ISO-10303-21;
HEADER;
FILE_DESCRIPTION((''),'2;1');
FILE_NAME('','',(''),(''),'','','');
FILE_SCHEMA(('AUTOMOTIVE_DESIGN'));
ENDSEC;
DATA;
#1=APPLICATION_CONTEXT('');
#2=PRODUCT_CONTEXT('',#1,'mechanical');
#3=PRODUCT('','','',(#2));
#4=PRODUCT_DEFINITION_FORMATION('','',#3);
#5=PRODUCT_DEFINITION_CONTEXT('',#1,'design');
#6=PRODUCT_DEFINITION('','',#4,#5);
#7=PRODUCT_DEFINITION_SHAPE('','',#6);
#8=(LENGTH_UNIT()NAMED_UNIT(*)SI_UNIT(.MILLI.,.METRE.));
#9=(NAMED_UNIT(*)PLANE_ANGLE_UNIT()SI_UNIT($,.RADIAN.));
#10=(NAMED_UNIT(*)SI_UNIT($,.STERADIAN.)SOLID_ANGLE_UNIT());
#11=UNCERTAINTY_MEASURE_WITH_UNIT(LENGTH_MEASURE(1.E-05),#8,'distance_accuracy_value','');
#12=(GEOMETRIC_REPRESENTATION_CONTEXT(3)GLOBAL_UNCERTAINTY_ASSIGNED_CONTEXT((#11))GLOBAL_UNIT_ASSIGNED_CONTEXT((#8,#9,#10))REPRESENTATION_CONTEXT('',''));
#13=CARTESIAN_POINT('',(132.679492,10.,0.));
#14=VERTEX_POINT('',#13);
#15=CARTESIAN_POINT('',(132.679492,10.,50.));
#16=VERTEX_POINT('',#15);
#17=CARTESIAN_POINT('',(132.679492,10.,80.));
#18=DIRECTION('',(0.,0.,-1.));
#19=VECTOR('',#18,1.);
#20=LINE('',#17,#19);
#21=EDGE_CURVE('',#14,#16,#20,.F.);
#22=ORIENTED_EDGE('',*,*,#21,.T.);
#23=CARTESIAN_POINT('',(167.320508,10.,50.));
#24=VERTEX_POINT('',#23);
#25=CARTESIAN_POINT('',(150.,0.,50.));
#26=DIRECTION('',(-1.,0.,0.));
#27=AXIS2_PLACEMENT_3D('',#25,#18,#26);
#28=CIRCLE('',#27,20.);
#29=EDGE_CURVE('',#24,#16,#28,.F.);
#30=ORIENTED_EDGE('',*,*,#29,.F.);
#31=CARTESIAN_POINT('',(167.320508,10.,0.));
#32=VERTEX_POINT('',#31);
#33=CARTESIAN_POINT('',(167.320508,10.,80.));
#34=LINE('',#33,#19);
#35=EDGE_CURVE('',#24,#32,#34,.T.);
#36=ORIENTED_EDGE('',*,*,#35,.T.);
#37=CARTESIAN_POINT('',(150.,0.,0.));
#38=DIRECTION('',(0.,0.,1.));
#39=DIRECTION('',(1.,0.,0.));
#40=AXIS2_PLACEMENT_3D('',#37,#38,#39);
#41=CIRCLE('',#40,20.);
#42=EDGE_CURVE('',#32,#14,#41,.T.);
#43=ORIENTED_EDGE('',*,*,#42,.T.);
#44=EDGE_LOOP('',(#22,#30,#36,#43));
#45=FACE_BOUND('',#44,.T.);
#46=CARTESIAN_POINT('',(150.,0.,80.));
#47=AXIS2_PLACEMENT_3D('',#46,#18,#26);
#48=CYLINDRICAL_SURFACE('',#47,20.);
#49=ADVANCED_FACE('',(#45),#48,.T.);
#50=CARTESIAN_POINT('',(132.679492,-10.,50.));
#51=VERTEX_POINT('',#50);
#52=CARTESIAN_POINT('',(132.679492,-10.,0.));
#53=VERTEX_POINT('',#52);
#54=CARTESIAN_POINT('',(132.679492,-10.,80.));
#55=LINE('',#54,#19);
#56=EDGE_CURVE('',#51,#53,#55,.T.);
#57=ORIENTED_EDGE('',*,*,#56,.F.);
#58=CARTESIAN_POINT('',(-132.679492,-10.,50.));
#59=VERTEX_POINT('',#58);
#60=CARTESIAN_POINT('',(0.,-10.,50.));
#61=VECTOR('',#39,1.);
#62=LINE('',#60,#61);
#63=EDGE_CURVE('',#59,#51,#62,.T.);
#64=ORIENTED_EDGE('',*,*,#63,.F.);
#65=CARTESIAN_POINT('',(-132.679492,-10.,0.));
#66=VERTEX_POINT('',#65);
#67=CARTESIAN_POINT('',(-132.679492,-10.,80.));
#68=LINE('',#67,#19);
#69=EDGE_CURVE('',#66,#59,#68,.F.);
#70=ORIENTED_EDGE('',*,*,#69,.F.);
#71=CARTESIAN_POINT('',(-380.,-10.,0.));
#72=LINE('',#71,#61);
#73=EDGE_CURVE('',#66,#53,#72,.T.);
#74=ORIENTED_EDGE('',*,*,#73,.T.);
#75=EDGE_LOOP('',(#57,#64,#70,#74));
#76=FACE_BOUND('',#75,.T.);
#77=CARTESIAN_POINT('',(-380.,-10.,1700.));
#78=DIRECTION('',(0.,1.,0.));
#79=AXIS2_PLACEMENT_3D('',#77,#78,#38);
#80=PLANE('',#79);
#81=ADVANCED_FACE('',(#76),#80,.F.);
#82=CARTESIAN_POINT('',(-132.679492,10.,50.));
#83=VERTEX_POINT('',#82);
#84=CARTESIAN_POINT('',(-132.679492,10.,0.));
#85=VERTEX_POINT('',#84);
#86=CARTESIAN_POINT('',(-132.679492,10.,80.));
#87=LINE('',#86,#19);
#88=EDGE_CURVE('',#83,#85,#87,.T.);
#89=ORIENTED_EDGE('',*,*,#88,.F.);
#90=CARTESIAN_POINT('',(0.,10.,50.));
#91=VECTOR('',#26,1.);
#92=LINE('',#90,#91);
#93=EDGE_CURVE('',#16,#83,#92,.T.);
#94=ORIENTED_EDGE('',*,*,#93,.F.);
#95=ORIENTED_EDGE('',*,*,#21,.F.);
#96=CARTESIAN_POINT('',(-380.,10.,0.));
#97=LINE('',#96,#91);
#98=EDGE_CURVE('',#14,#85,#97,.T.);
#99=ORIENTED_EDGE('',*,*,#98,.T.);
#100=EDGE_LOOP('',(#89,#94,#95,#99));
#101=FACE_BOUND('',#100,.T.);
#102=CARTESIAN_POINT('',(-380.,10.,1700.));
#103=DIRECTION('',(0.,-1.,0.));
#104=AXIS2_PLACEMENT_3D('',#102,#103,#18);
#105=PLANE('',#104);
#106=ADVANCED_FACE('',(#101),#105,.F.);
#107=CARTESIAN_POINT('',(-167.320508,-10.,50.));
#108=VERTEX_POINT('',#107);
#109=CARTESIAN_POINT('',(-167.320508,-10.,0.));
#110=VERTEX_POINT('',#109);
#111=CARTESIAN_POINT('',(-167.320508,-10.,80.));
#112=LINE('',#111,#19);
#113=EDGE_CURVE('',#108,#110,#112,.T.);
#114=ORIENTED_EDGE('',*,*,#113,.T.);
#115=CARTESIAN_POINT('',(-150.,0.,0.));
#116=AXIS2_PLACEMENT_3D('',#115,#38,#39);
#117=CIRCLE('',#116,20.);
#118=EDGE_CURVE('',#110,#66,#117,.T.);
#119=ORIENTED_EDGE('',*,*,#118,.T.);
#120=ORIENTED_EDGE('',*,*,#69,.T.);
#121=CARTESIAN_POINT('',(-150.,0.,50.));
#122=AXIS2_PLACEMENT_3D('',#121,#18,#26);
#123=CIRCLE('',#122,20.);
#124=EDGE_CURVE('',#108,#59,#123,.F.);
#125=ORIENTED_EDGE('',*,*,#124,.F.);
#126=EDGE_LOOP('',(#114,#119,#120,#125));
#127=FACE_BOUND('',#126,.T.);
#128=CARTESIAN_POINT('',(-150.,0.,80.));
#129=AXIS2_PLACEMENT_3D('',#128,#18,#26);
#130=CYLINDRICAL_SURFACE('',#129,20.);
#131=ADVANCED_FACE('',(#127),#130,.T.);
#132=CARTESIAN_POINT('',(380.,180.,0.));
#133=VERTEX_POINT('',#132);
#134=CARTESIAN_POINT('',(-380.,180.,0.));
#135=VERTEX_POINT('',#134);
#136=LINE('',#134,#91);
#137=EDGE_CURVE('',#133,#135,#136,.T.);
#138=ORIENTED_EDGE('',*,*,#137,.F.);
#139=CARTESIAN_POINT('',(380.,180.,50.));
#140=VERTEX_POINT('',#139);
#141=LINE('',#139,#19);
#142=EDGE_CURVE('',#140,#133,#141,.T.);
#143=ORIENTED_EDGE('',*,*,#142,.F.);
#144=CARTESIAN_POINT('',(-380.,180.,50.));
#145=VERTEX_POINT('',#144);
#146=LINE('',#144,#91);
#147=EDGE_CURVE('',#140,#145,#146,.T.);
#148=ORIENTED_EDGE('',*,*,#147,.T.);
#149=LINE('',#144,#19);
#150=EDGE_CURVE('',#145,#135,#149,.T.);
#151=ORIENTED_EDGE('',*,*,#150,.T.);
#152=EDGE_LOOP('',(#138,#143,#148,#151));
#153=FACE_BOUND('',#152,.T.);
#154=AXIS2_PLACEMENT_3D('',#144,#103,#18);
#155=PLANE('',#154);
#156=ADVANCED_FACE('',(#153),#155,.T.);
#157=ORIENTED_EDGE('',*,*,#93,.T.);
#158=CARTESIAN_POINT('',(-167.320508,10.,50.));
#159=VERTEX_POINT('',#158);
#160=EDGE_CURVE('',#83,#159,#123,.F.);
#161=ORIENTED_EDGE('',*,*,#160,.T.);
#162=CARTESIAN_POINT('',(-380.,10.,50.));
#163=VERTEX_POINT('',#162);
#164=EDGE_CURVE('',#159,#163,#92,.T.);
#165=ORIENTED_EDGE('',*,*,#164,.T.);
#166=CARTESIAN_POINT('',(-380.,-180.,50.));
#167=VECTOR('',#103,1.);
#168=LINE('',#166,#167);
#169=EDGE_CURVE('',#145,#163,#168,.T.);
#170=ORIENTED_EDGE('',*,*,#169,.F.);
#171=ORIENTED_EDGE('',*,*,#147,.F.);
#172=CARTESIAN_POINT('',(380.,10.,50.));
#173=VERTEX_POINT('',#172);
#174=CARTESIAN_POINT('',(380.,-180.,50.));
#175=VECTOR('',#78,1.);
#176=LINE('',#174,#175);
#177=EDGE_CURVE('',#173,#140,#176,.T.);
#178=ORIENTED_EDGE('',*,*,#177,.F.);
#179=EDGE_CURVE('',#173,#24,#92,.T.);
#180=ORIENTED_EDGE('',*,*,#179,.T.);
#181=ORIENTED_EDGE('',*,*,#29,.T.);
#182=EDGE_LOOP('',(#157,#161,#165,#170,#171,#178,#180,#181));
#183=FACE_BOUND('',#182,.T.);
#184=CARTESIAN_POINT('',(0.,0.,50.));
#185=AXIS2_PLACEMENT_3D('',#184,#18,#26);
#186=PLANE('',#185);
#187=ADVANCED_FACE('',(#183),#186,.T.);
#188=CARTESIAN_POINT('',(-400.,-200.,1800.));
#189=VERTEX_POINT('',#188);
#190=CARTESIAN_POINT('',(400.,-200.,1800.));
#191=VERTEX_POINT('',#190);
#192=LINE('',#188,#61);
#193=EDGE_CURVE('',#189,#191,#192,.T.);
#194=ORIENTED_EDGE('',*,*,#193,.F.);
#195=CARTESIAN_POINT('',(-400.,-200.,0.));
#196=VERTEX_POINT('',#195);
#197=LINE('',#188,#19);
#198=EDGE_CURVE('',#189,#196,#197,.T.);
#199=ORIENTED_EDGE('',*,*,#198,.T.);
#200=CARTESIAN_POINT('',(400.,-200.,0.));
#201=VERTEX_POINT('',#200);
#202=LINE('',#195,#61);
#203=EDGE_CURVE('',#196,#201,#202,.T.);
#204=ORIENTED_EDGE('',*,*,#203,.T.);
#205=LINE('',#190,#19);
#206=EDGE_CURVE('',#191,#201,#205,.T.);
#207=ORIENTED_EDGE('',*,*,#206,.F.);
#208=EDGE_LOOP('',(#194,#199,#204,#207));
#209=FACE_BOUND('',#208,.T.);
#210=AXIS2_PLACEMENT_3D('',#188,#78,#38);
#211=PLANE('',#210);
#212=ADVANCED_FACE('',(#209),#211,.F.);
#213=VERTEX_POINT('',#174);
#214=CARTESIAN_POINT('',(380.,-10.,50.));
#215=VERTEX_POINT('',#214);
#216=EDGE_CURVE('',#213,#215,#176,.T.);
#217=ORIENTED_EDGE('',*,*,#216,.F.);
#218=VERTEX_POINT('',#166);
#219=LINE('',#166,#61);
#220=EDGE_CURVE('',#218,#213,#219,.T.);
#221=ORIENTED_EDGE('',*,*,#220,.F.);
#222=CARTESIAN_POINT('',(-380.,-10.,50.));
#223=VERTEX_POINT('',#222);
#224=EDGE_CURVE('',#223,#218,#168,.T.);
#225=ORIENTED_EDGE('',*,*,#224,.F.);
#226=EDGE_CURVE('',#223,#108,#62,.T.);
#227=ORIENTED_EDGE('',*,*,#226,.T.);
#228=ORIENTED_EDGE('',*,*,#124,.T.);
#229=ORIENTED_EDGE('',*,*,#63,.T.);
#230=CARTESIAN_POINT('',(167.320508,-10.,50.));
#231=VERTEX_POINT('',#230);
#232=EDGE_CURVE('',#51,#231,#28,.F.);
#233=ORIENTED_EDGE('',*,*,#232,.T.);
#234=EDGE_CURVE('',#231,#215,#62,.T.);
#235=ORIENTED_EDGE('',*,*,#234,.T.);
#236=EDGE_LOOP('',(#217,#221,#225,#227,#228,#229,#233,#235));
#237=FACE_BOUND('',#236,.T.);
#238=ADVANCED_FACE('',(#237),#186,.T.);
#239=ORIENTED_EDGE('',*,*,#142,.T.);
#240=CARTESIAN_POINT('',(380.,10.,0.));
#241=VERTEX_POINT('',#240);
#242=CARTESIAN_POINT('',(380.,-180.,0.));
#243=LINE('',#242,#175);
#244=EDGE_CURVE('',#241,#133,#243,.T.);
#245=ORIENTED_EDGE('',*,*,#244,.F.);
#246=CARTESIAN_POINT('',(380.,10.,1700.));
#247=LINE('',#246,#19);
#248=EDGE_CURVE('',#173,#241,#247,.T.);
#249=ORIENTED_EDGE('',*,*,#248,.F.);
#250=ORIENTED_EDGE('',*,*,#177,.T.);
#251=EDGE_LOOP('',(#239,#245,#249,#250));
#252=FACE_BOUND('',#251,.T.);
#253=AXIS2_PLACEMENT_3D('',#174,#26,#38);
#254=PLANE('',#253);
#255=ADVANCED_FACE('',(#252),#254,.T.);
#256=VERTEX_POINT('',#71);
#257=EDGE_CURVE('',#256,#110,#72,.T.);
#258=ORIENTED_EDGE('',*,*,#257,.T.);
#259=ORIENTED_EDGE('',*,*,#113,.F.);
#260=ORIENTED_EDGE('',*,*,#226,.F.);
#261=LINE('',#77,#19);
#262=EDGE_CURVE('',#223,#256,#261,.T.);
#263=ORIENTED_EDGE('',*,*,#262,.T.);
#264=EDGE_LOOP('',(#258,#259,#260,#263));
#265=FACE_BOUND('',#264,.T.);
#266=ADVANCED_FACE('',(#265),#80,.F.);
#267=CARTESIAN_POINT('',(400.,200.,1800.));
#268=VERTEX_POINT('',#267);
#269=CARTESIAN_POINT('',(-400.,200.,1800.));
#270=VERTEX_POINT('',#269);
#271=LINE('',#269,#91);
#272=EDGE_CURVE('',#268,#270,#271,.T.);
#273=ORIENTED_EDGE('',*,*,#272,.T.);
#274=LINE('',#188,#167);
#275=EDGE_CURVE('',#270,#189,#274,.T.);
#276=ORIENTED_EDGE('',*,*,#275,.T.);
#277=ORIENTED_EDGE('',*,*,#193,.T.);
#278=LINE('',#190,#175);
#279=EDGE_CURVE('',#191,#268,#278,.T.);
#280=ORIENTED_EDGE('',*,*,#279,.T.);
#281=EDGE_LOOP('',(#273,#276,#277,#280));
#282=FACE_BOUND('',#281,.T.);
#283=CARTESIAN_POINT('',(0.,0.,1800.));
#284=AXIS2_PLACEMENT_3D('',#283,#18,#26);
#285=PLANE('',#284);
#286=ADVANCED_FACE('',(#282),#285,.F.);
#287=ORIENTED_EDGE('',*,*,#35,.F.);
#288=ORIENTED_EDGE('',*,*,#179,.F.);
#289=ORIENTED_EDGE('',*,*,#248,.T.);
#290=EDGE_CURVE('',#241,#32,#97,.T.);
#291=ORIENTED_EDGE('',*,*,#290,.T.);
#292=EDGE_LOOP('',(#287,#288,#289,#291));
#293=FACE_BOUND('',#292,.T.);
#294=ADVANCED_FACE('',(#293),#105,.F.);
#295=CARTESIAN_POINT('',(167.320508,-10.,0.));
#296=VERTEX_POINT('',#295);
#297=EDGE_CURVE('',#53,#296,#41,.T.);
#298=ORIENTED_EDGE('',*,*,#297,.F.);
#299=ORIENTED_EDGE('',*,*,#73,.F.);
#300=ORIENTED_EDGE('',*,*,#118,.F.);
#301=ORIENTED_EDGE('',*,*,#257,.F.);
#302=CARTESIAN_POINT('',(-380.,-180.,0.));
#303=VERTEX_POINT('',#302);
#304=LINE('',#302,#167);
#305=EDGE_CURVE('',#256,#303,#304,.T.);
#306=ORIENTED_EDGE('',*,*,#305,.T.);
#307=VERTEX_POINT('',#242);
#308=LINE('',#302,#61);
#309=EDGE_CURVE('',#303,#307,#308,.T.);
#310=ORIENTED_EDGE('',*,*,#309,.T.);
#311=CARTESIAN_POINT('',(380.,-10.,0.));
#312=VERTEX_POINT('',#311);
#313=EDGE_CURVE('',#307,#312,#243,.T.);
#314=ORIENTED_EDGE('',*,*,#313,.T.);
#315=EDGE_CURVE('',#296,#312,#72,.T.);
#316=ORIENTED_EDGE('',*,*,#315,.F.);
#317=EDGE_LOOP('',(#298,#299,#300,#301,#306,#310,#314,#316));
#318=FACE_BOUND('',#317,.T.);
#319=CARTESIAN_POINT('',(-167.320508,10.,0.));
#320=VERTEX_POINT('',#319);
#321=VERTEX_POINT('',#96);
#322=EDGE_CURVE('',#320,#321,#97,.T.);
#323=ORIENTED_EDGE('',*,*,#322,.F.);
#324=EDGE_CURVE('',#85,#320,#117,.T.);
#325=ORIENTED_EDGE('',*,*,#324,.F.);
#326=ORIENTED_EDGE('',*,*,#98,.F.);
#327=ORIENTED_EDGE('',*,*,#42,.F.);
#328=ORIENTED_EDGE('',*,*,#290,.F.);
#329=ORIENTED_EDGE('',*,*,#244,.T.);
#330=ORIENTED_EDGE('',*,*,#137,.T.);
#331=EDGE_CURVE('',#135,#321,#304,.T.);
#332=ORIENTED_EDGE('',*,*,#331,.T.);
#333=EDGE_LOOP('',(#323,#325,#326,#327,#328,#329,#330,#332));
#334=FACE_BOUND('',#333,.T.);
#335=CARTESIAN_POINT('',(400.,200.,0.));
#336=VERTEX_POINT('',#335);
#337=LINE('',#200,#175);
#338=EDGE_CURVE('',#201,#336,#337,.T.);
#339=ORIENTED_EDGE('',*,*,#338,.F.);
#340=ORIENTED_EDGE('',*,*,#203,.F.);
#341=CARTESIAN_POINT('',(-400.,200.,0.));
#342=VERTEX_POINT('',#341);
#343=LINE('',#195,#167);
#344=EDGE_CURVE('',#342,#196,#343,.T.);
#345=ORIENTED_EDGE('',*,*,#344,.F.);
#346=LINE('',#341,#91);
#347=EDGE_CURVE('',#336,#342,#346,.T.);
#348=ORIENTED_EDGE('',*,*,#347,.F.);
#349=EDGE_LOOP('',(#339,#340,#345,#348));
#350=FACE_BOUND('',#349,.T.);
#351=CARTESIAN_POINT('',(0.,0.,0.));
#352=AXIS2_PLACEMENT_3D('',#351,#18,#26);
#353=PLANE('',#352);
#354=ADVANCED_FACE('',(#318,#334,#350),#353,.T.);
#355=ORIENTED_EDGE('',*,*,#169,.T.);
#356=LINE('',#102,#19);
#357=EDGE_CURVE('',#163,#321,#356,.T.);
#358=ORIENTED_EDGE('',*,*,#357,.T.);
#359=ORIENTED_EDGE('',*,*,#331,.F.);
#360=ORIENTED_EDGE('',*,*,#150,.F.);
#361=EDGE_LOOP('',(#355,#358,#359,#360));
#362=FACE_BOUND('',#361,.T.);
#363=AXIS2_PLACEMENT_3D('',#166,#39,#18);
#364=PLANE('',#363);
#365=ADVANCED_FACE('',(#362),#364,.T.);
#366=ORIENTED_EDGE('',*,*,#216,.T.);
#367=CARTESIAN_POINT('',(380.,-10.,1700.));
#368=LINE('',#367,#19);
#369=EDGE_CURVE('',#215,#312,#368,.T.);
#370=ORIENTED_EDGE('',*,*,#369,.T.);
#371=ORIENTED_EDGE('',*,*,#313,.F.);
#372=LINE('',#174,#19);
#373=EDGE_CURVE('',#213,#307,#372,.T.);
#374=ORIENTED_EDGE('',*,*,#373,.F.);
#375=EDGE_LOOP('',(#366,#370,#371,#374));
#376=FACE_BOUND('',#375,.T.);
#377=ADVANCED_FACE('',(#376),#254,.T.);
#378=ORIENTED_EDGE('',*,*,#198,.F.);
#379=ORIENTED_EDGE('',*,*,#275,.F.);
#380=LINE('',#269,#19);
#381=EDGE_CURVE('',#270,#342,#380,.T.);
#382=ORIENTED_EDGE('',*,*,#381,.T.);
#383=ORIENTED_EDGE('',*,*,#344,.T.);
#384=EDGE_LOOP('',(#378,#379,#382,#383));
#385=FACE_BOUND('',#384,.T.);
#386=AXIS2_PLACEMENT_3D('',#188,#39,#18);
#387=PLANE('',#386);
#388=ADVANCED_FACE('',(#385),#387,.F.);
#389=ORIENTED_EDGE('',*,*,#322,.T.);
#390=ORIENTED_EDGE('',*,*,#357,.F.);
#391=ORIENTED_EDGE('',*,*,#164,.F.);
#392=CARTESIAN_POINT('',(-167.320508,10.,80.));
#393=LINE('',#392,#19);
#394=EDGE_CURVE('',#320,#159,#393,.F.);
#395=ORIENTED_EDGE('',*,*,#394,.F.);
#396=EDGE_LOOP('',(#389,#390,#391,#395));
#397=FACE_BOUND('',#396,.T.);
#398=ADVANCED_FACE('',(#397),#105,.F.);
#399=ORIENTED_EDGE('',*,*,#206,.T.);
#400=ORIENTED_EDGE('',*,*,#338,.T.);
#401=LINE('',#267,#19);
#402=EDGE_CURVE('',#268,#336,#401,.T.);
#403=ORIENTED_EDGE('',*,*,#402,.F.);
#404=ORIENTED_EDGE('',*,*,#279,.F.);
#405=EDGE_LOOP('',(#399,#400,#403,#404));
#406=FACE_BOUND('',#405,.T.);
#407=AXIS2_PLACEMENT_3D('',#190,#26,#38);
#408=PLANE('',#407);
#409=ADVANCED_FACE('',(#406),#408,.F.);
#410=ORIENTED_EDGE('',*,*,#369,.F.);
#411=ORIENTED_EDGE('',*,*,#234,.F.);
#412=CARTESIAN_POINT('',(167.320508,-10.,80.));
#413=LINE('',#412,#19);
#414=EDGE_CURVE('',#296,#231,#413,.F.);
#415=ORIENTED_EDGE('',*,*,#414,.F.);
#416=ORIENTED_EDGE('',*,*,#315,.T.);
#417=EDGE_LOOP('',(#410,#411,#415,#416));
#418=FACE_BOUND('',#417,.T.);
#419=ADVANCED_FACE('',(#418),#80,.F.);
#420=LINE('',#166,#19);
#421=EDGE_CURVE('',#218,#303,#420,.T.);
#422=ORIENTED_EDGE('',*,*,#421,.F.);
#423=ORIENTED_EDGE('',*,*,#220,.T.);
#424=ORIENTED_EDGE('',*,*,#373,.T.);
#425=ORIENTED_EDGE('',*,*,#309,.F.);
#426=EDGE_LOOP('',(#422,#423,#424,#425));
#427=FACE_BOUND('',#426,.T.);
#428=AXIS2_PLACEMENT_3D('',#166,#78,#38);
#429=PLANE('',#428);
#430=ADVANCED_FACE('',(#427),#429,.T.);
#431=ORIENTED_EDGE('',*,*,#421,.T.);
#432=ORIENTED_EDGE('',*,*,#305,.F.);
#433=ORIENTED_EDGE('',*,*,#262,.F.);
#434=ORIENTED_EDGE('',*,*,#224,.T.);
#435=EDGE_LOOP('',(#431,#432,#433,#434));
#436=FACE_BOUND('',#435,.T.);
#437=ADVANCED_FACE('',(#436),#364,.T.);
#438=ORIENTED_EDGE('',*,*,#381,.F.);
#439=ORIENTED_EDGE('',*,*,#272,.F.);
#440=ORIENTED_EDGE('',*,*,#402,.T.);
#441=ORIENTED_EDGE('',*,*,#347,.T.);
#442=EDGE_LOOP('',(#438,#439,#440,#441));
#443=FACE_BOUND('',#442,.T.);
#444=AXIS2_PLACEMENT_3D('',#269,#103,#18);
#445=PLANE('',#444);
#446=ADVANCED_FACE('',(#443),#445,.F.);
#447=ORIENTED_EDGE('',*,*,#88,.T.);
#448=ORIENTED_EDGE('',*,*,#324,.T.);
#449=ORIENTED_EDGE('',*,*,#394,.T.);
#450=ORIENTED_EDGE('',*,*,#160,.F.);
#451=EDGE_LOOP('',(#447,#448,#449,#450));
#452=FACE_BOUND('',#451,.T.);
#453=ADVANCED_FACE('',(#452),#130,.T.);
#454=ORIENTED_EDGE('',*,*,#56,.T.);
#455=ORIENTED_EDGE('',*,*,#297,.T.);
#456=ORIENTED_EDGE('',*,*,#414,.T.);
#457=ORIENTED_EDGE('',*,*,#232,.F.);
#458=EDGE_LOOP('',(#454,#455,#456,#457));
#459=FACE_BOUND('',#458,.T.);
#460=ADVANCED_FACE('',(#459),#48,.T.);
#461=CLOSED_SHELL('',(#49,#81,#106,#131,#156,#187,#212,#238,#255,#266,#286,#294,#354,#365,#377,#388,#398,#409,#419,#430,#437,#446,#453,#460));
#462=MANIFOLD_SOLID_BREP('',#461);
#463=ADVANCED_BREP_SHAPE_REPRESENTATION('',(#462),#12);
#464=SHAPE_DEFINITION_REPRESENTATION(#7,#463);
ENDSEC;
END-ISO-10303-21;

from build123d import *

# Parameters (mm, degrees)
SKETCH_1_W          = 800
SKETCH_1_H          = 400
EXTRUDE_1_DEPTH     = 1800
SKETCH_2_W          = 760
SKETCH_2_H          = 360
CUT_EXTRUDE_2_DEPTH = 50
SKETCH_3_W          = 380
SKETCH_3_H          = 20
EXTRUDE_2_DEPTH     = 1700
SKETCH_4_W          = 380
SKETCH_4_H          = 20
EXTRUDE_3_DEPTH     = 1700
SKETCH_5_W          = 760
SKETCH_5_H          = 20
EXTRUDE_4_DEPTH     = 300
SKETCH_6_R          = 20
EXTRUDE_5_DEPTH     = 80
SKETCH_7_R          = 20
EXTRUDE_6_DEPTH     = 80


with BuildPart() as part:
    # 草图1 → 凸台-拉伸1 (new body)
    with BuildSketch(Plane.XY):
        Rectangle(SKETCH_1_W, SKETCH_1_H)
    extrude(amount=EXTRUDE_1_DEPTH)

    # 草图2 → 切除-拉伸2 (cut)
    with BuildSketch(Plane.XY):
        Rectangle(SKETCH_2_W, SKETCH_2_H)
    extrude(amount=CUT_EXTRUDE_2_DEPTH, mode=Mode.SUBTRACT)

    # 草图3 → 凸台-拉伸2 (add)
    with BuildSketch(Plane.XY):
        with Locations((-190, 0)):
            Rectangle(SKETCH_3_W, SKETCH_3_H)
    extrude(amount=EXTRUDE_2_DEPTH)

    # 草图4 → 凸台-拉伸3 (add)
    with BuildSketch(Plane.XY):
        with Locations((190, 0)):
            Rectangle(SKETCH_4_W, SKETCH_4_H)
    extrude(amount=EXTRUDE_3_DEPTH)

    # 草图5 → 凸台-拉伸4 (add)
    with BuildSketch(Plane.XY):
        Rectangle(SKETCH_5_W, SKETCH_5_H)
    extrude(amount=EXTRUDE_4_DEPTH)

    # 草图6 → 凸台-拉伸5 (add)
    with BuildSketch(Plane.XY):
        with Locations((-150, 0)):
            Circle(SKETCH_6_R)
    extrude(amount=EXTRUDE_5_DEPTH)

    # 草图7 → 凸台-拉伸6 (add)
    with BuildSketch(Plane.XY):
        with Locations((150, 0)):
            Circle(SKETCH_7_R)
    extrude(amount=EXTRUDE_6_DEPTH)


solid = part.part
